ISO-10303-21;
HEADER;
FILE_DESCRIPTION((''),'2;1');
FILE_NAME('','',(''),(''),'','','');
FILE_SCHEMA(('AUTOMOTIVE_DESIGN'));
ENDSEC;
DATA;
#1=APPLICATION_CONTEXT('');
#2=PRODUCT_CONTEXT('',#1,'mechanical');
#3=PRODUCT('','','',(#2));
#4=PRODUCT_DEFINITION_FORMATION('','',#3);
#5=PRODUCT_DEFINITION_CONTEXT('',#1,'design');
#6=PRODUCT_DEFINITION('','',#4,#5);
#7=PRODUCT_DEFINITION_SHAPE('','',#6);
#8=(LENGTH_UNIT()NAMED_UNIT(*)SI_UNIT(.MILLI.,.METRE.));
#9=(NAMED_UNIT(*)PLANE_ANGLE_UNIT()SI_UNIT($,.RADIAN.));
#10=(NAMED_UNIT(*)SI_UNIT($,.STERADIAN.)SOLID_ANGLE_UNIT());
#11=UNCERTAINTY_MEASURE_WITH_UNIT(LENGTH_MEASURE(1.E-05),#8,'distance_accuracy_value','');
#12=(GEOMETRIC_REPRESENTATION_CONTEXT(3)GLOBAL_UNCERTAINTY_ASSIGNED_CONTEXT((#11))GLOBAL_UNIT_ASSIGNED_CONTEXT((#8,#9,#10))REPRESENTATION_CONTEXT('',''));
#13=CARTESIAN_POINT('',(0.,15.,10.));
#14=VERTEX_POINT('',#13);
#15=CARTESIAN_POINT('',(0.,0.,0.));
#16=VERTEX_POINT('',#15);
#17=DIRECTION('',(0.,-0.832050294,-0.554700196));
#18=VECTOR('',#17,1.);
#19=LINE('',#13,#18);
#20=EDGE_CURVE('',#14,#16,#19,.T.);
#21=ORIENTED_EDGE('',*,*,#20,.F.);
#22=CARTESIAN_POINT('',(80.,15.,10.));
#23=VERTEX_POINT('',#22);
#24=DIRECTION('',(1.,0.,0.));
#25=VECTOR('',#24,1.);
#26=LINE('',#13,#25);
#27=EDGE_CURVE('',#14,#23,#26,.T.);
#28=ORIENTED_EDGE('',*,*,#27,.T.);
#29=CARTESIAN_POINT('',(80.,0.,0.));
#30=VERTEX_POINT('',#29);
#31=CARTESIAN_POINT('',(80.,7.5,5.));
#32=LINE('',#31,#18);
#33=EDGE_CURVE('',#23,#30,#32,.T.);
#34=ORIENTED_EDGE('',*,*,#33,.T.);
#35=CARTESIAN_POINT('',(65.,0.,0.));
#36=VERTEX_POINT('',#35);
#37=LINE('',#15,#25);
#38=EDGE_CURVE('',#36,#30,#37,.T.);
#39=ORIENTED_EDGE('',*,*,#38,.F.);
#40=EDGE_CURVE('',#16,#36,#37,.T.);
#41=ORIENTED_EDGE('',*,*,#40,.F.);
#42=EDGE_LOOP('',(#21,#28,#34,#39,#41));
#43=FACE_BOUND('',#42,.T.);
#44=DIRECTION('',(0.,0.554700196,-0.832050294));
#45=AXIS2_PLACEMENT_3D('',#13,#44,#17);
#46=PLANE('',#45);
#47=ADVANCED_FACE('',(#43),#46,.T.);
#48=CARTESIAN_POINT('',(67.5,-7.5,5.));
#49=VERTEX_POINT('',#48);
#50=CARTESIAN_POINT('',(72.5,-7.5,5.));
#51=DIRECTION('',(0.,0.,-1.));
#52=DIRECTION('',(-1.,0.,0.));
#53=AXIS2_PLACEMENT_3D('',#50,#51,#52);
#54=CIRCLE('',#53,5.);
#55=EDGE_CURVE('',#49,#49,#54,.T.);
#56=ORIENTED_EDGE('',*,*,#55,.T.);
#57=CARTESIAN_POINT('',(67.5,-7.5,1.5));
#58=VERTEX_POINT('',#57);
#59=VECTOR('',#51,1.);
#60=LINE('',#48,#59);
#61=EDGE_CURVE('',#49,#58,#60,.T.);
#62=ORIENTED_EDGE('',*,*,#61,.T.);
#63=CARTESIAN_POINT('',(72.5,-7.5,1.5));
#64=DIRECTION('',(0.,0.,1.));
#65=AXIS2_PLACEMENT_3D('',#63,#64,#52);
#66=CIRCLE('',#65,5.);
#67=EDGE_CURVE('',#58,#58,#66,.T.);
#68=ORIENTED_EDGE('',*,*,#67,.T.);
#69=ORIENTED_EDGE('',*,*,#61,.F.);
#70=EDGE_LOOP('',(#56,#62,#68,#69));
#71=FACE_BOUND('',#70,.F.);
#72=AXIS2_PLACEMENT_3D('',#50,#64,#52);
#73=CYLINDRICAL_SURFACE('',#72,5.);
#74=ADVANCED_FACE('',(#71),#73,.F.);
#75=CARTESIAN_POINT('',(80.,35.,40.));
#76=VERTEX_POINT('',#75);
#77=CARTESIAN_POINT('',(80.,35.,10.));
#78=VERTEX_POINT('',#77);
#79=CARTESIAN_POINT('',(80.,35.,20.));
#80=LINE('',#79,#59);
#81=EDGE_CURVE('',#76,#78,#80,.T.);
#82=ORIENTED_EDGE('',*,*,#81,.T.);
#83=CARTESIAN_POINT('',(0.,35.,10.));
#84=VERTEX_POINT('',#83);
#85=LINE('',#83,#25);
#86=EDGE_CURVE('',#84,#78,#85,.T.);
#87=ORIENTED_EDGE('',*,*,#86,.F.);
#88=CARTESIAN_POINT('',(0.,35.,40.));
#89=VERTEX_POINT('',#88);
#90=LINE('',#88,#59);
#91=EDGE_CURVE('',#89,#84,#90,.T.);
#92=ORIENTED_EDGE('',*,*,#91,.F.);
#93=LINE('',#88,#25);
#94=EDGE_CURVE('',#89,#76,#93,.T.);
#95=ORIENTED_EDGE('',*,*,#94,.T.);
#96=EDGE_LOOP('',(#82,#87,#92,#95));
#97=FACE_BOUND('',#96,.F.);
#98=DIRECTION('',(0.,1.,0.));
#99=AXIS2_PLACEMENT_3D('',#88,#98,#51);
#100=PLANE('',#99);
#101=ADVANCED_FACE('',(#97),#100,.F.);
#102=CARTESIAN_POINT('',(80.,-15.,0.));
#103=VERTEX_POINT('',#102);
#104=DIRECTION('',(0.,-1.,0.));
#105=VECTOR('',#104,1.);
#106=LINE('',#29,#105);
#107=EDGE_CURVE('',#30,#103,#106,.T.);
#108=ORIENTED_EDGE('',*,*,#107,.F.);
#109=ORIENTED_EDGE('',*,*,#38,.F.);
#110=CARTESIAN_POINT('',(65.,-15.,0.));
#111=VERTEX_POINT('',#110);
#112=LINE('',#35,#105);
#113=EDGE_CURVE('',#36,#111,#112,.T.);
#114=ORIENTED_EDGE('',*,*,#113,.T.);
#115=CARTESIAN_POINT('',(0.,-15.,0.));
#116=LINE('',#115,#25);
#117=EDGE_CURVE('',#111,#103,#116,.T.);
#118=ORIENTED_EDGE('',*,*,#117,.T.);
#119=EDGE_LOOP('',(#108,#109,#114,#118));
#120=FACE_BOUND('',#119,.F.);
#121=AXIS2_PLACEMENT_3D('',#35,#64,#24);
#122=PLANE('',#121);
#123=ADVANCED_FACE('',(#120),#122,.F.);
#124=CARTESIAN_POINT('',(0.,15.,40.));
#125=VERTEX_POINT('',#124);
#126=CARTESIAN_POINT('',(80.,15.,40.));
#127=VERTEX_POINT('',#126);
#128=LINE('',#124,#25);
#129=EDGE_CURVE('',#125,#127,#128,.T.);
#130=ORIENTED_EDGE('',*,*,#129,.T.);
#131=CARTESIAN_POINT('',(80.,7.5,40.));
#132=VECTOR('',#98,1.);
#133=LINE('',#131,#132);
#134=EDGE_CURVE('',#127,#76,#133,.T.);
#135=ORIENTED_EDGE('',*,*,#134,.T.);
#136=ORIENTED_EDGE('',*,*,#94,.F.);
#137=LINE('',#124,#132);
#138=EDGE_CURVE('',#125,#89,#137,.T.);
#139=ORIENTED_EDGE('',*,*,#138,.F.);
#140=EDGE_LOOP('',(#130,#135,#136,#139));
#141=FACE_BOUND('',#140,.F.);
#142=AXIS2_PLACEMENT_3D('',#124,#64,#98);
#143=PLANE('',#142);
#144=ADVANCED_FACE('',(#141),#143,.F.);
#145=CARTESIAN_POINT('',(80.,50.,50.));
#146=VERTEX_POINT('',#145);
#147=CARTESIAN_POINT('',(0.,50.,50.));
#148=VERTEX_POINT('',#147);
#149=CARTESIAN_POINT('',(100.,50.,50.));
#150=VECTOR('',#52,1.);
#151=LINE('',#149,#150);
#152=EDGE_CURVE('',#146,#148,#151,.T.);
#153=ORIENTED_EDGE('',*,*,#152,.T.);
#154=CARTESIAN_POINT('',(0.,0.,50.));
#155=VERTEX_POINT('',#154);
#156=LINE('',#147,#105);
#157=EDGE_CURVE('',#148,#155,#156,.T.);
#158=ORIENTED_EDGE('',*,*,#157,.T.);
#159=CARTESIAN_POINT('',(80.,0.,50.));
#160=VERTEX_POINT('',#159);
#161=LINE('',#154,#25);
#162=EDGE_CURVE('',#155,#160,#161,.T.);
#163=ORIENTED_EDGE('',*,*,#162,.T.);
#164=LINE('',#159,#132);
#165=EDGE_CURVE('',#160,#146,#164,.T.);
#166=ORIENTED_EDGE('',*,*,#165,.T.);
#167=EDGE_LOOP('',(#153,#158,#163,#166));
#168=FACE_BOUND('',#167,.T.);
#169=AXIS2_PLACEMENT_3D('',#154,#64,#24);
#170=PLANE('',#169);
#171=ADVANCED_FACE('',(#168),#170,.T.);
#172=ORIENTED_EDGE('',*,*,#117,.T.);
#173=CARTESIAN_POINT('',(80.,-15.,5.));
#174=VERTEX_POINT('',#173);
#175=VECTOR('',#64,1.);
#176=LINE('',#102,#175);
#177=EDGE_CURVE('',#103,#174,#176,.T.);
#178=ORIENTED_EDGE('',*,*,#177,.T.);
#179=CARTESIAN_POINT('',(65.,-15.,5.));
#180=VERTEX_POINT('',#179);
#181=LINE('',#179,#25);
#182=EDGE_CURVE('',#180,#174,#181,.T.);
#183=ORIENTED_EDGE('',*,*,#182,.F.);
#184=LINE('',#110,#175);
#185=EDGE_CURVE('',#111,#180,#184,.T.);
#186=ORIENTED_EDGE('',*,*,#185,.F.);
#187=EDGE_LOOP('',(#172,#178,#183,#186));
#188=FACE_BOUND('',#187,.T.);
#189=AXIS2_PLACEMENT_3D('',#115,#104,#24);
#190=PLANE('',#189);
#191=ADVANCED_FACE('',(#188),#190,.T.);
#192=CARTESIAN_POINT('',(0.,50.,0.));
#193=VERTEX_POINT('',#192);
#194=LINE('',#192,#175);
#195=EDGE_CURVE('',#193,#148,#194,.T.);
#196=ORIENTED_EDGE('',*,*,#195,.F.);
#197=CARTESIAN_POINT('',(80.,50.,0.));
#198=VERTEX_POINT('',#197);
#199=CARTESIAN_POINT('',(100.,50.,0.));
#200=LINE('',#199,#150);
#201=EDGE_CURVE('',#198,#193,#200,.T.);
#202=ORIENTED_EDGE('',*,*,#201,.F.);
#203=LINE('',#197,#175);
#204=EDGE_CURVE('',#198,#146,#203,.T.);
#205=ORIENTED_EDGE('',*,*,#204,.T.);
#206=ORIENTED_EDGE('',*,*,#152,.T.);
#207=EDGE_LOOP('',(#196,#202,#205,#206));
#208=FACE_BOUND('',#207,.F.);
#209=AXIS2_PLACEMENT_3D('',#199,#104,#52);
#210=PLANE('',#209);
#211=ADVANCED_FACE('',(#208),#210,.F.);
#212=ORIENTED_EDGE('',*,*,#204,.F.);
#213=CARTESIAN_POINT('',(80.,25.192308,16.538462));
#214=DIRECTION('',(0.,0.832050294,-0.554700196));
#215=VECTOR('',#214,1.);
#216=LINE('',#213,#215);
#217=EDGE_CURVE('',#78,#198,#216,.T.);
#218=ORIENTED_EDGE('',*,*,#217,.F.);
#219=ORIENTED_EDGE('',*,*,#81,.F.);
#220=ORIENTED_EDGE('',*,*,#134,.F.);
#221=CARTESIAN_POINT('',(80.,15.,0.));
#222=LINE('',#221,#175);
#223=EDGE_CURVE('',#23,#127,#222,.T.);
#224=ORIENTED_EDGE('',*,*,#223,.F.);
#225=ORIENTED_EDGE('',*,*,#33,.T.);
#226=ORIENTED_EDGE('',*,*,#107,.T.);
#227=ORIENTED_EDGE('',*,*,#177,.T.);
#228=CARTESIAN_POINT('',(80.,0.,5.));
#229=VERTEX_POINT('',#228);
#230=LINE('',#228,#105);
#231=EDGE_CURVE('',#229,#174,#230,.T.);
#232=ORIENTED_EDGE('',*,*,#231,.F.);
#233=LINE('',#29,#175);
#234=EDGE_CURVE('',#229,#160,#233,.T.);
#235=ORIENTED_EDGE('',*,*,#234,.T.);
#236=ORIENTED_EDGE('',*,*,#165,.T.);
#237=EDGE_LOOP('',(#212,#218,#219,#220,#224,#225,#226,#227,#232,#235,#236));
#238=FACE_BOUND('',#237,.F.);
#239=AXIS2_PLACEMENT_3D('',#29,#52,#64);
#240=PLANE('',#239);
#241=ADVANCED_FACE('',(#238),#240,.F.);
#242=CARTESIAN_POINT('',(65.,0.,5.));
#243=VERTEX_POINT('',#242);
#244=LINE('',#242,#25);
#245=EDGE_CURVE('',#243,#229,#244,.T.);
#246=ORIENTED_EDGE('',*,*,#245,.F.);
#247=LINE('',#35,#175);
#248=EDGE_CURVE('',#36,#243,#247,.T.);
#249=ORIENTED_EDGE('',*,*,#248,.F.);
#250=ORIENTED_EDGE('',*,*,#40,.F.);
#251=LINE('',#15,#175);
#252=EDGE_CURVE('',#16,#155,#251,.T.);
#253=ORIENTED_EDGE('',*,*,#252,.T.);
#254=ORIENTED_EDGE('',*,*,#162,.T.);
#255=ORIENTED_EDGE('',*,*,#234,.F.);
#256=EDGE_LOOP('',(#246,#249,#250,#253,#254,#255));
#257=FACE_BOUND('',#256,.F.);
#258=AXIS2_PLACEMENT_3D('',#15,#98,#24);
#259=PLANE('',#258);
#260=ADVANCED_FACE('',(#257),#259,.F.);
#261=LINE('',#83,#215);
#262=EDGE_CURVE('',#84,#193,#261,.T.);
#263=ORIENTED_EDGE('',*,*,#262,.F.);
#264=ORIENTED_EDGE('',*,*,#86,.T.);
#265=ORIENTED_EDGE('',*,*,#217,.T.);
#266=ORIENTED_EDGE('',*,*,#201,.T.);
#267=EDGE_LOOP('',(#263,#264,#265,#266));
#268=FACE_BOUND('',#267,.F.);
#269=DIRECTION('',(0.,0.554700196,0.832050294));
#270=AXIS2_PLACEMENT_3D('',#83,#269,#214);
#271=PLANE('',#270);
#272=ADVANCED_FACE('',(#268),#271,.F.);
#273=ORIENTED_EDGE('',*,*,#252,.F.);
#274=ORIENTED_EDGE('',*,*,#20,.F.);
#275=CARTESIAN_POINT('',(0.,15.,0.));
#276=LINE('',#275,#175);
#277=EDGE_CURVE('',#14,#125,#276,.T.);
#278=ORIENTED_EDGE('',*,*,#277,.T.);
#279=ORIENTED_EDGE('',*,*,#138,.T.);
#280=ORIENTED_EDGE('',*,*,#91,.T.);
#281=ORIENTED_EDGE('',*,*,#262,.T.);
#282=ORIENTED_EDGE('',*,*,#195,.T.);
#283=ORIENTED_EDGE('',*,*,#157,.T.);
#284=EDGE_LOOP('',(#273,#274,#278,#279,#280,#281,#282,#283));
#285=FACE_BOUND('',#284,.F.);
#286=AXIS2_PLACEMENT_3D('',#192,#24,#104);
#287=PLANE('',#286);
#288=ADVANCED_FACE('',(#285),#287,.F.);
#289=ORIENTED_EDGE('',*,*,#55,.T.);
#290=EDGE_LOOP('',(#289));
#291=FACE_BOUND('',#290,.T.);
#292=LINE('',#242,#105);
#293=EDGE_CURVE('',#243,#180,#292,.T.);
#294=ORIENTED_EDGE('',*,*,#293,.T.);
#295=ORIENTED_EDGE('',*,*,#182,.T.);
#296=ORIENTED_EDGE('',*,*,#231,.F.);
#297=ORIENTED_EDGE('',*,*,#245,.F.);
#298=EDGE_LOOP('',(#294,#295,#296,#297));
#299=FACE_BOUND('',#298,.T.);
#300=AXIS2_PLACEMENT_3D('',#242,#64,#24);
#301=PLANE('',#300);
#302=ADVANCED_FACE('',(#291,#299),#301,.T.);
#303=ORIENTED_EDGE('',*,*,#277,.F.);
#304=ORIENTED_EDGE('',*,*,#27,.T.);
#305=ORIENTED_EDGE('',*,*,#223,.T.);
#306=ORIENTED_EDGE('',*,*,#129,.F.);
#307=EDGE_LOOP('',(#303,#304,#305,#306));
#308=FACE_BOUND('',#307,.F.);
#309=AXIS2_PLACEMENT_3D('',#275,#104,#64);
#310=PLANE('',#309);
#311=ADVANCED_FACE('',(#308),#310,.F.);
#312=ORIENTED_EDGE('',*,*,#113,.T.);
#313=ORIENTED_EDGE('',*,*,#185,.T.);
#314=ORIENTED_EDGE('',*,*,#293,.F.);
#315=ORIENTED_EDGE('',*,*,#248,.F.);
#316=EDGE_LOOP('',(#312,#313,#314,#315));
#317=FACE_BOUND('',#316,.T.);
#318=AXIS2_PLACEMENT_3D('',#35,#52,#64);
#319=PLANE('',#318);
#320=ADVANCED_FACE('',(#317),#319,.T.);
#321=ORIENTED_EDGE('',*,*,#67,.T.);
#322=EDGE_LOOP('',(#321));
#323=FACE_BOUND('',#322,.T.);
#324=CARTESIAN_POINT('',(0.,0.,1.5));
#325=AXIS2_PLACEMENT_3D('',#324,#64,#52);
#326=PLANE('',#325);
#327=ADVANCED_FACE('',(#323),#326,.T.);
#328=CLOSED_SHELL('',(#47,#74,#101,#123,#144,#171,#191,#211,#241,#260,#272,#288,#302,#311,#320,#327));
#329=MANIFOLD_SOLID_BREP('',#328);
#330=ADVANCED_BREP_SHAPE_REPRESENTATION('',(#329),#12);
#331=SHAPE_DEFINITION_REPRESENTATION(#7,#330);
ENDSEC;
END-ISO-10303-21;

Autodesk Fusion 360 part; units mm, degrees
sketch "Esquisse1" plane through (0, 0, 0) normal (0, 0, 1) x (1, 0, 0)
  line L0 (0, 0) -> (100, 0)
  line L1 (100, 0) -> (100, 50)
  line L2 (100, 50) -> (0, 50)
  line L3 (0, 50) -> (0, 0)
  dimension "d1" = 100
  dimension "d2" = 50
extrude "Extrusion1" add sketch "Esquisse1" along normal blind 60
sketch "Esquisse2" plane through (0, 0, 0) normal (-1, 0, 0) x (0, -1, 0)
  line L0 (-50, 0) -> (0, 0)
  line L1 (0, 0) -> (0, 60)
  line L2 (0, 60) -> (-50, 60)
  line L3 (-50, 60) -> (-50, 0)
  line L4 (-35, 0) -> (-15, 0)
  line L5 (-15, 0) -> (-15, 40)
  line L6 (-15, 40) -> (-35, 40)
  line L7 (-35, 40) -> (-35, 0)
  dimension "d5" = 15
  dimension "d6" = 20
  dimension "d7" = 40
extrude "Extrusion2" cut 1 faces at (33.3333, 33.3333, 60) along direction (0, 0, -1) blind 10
extrude "Extrusion3" cut sketch "Esquisse2" against normal blind 122 contours L0 L4 L5 L6 L7
extrude "Extrusion4" cut 1 faces at (100, 5, 30) along direction (-1, 0, 0) blind 20
sketch "Esquisse5" plane through (0, 0, 0) normal (-1, 0, 0) x (0, -1, 0)
  line L0 (-15, 40) -> (-15, 0)
  line L1 (-15, 0) -> (0, 0)
  line L2 (0, 0) -> (0, 50)
  line L3 (0, 50) -> (-50, 50)
  line L4 (-50, 50) -> (-50, 0)
  line L5 (-50, 0) -> (-35, 0)
  line L6 (-35, 0) -> (-35, 40)
  line L7 (-35, 40) -> (-15, 40)
  line L8 (-35, 0) -> (-35, 10)
  line L9 (-35, 10) -> (-50, 0)
  line L10 (-15, 0) -> (-15, 10)
  line L11 (-15, 10) -> (0, 0)
  dimension "d14" = 10
  dimension "d15" = 10
extrude "Extrusion5" cut sketch "Esquisse5" against normal blind 285 contours L0 L1 L10 L11 | L5 L6 L8 L9
sketch "Esquisse7" plane through (0, 0, 0) normal (0, -1, 0) x (1, 0, 0)
  line L0 (80, 0) -> (80, 50)
  line L1 (80, 50) -> (0, 50)
  line L2 (0, 50) -> (0, 0)
  line L3 (0, 0) -> (80, 0)
  line L4 (80, 0) -> (65, 0)
  line L5 (65, 0) -> (65, 5)
  line L6 (65, 5) -> (80, 5)
  line L7 (80, 5) -> (80, 0)
  dimension "d18" = 5
  dimension "d19" = 15
extrude "Extrusion6" add sketch "Esquisse7" along normal blind 15 contours L0 L3 L4 L5 L6 L7
sketch "Esquisse9" plane through (0, 0, 5) normal (0, 0, 1) x (-1, 0, 0)
  line L0 (-80, 0) -> (-65, 0)
  line L1 (-65, 0) -> (-65, 15)
  line L2 (-65, 15) -> (-80, 15)
  line L3 (-80, 15) -> (-80, 0)
  line L4 (-65, 0) -> (-80, 15)
  line L5 (-65, 15) -> (-80, 0)
  circle A0 centre (-72.5, 7.5) radius 5
  dimension "d22" = 10
extrude "Extrusion7" cut sketch "Esquisse9" against normal blind 3.5 contours L4 L5 A0 | L4 L5 A0 | L4 L5 A0 | L4 L5 A0
